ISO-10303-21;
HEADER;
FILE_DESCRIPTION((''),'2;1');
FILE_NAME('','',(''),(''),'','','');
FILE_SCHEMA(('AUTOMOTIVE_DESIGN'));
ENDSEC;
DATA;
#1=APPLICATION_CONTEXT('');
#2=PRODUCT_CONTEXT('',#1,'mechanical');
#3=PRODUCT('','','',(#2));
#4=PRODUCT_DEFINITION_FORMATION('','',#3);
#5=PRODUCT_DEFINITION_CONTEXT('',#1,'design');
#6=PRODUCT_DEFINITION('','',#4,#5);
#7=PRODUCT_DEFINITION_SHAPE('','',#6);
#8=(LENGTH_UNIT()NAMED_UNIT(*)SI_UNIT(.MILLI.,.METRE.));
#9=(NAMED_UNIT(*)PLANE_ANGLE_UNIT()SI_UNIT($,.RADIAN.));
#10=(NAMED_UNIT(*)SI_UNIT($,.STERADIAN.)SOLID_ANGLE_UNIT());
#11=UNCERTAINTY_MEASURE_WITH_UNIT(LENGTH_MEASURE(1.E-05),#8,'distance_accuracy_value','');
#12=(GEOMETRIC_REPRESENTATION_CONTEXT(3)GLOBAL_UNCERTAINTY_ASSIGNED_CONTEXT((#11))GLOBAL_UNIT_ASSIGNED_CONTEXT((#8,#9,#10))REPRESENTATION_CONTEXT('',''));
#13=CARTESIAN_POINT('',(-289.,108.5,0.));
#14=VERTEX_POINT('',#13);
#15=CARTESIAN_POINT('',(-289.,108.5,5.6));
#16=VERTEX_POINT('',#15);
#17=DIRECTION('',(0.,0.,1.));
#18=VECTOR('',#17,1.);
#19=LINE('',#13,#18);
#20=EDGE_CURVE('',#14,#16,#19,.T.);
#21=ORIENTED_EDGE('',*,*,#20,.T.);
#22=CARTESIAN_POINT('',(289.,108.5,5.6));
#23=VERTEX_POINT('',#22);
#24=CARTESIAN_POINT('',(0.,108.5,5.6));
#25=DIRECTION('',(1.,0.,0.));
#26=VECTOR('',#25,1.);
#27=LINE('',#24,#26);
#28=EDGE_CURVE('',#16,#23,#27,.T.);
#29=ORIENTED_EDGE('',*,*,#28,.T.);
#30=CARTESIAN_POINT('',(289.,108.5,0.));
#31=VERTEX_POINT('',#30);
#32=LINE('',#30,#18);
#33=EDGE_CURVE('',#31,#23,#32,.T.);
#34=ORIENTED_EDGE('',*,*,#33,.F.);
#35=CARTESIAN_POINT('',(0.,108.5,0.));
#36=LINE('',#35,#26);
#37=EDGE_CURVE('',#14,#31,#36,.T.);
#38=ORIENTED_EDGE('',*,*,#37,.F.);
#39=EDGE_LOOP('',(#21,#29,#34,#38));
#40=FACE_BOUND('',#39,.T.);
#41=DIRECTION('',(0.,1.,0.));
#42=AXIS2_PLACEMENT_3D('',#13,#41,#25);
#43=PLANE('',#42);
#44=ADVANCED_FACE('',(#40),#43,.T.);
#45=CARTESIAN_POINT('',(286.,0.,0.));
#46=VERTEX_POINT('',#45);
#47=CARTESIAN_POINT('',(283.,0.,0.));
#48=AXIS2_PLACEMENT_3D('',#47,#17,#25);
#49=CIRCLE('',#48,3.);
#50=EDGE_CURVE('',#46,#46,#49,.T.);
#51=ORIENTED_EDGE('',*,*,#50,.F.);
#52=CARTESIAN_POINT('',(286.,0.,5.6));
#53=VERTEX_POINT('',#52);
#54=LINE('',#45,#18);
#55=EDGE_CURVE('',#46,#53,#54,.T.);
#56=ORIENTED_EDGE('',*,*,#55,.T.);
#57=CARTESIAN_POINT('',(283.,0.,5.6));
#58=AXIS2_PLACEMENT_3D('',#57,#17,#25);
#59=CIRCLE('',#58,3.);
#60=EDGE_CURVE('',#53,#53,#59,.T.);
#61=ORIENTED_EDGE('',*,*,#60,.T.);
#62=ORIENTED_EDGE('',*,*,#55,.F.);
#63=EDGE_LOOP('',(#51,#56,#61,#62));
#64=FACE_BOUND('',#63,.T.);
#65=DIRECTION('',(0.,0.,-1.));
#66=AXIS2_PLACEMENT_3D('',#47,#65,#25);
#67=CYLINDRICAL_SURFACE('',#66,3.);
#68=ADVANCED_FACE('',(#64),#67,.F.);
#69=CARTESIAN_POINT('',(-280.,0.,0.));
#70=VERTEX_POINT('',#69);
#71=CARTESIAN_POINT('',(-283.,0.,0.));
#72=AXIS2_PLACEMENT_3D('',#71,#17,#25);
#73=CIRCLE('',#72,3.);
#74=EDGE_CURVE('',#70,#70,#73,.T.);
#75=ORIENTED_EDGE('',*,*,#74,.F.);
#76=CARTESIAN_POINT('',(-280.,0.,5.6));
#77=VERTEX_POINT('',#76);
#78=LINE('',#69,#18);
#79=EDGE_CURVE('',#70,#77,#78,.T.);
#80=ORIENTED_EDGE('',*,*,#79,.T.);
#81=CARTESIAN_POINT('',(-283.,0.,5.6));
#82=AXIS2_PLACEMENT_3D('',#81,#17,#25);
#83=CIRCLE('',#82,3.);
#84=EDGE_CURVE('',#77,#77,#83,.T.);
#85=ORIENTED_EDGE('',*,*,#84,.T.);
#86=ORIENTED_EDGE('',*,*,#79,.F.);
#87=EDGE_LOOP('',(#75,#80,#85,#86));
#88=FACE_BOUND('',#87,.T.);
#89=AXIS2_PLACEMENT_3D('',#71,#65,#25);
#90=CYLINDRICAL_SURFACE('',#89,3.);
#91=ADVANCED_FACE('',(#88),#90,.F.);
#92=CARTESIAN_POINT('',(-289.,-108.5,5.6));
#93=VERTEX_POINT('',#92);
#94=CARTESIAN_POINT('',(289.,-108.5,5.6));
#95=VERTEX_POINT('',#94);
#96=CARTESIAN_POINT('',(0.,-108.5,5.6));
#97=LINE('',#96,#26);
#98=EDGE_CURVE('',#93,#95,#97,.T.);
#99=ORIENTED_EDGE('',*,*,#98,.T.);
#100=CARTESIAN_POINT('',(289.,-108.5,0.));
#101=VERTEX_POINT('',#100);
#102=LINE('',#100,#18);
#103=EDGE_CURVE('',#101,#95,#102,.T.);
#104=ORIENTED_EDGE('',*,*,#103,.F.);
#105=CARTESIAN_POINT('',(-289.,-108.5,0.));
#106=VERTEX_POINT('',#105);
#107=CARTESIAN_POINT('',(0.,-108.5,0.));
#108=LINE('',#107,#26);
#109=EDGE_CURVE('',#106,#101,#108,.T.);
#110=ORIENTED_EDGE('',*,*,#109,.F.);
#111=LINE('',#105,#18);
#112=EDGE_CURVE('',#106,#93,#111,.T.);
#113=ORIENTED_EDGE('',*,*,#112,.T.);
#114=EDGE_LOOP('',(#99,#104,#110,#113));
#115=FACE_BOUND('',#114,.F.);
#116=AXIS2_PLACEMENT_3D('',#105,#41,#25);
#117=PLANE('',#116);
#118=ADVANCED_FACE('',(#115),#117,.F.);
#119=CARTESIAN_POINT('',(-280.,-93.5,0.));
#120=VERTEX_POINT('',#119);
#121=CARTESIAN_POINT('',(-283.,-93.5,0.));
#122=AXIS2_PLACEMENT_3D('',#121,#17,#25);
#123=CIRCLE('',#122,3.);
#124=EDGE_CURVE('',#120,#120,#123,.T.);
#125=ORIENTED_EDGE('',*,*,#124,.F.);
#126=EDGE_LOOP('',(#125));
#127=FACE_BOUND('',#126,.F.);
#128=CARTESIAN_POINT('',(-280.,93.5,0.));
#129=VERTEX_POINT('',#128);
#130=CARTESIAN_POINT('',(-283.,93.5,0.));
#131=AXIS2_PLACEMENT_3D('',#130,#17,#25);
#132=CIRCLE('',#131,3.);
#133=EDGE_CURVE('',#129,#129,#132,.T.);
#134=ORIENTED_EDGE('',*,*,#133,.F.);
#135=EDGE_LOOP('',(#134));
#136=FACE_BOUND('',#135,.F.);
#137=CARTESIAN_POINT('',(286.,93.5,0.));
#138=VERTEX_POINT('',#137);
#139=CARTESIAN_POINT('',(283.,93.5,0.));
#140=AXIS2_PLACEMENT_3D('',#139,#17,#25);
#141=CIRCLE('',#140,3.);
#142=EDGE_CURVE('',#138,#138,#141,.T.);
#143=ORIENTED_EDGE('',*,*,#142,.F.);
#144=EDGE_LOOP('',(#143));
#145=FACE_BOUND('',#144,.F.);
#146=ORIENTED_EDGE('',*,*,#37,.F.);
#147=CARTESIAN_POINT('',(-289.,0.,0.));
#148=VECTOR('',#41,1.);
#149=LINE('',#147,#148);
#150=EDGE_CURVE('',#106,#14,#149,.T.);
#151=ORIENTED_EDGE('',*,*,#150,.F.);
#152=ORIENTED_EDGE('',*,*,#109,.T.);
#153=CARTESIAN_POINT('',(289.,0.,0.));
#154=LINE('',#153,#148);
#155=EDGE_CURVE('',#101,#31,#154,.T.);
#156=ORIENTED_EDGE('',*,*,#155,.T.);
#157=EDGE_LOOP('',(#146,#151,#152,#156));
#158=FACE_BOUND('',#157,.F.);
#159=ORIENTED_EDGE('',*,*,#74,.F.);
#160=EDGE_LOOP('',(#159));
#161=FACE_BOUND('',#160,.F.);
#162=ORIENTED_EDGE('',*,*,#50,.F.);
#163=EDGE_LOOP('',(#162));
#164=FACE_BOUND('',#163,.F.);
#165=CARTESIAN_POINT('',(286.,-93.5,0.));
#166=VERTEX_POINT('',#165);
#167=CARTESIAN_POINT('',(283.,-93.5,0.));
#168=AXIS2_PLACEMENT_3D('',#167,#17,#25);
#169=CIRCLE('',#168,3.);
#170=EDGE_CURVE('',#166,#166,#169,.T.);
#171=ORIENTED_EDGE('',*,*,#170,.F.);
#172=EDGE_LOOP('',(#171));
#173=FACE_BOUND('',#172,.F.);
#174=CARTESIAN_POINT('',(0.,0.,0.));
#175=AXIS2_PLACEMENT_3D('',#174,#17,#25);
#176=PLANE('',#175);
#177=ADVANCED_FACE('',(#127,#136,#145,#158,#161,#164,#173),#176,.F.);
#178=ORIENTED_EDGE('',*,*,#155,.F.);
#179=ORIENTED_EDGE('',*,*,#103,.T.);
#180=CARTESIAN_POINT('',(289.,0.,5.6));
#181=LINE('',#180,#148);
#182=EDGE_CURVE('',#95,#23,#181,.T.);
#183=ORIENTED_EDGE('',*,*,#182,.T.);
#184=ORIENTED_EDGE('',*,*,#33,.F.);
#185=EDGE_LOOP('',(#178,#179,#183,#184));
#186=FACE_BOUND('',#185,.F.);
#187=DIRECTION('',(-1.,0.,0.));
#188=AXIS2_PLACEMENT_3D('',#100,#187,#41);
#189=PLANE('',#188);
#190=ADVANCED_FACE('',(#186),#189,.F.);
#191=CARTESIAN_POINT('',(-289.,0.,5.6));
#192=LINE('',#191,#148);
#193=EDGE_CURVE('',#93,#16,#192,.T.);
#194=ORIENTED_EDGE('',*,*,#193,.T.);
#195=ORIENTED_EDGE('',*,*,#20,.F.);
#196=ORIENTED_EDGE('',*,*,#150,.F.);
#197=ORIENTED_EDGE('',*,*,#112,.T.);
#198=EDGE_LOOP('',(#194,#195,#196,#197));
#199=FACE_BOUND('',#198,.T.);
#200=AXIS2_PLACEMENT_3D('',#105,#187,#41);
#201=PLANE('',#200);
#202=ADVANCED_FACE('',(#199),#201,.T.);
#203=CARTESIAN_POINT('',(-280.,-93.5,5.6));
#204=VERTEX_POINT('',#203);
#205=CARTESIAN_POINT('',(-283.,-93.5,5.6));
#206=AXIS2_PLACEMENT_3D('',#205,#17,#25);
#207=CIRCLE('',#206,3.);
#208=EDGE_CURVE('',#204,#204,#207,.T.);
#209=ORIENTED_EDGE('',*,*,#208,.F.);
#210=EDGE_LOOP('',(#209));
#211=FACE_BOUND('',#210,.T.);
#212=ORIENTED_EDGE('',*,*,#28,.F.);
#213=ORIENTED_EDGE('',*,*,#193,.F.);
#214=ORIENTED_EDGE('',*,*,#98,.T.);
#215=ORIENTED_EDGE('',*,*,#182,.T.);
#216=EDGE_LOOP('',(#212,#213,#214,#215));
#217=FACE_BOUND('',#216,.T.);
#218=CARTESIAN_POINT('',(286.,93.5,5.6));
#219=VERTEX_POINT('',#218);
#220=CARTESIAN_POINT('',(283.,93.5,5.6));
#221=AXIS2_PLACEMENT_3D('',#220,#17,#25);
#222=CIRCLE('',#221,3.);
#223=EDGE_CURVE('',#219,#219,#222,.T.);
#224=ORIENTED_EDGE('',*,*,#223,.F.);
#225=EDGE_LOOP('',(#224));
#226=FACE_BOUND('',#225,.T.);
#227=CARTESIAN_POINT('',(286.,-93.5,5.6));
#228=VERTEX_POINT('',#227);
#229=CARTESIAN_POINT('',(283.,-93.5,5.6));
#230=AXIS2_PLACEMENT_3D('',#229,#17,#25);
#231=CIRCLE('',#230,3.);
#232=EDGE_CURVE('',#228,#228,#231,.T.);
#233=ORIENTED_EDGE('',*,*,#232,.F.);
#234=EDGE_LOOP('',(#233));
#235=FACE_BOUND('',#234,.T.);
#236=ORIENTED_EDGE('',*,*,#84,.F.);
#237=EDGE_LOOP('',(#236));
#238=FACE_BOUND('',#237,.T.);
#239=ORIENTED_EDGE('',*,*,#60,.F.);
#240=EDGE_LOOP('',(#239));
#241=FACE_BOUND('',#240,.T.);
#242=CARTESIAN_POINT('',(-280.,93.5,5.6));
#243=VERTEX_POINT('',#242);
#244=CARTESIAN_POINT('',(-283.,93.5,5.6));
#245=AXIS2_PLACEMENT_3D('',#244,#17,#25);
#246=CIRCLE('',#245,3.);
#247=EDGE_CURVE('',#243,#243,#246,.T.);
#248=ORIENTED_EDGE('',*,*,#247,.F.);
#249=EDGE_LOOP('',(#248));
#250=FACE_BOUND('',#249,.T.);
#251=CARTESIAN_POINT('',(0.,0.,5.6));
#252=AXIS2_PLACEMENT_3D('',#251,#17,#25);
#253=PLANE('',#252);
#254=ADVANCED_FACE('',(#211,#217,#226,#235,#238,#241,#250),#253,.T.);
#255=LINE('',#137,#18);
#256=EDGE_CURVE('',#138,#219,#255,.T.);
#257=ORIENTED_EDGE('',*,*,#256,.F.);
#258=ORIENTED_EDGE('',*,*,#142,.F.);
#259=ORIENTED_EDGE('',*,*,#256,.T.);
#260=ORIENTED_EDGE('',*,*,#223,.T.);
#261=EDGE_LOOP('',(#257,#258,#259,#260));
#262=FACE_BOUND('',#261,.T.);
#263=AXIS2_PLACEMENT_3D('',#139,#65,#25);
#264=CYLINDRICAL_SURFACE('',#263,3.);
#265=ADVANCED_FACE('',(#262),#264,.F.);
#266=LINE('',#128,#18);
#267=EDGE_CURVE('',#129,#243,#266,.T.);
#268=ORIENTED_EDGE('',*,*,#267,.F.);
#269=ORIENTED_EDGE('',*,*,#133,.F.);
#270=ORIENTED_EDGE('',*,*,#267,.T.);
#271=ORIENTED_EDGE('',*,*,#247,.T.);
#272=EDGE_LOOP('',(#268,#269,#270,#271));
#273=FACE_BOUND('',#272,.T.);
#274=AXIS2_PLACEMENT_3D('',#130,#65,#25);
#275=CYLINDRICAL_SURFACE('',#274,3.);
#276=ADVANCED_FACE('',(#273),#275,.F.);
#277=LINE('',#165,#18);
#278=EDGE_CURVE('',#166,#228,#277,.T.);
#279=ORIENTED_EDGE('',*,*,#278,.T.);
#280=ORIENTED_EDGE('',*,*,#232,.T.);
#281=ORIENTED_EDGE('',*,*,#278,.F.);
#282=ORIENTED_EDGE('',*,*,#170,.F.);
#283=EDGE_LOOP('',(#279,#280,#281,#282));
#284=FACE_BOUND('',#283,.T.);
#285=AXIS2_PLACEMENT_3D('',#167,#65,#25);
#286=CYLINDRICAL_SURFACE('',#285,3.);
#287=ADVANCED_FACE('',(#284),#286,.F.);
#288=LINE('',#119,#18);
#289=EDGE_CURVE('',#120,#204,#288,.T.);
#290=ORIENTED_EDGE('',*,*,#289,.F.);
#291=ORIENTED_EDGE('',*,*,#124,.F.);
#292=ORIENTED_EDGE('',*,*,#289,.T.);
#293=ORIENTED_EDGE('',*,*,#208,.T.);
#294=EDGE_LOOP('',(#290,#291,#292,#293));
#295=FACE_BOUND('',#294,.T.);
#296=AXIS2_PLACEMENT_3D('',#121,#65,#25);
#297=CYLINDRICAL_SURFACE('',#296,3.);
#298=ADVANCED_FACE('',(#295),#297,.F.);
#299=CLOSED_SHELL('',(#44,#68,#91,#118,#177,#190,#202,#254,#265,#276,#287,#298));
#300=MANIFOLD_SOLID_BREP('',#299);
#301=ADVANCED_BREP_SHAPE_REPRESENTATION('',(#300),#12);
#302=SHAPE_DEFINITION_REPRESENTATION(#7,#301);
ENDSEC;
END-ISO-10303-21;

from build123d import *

# Parameters (mm, degrees)
F0_W     = 578
F0_H     = 217
F0_R     = 3
F1_DEPTH = 5.6


with BuildPart() as f1:
    # F0 (on Top) → F1 (new body)
    with BuildSketch(Plane.XY):
        Rectangle(F0_W, F0_H)
        with Locations((-283, -93.5)):
            Circle(F0_R, mode=Mode.SUBTRACT)
        with Locations((283, -93.5)):
            Circle(F0_R, mode=Mode.SUBTRACT)
        with Locations((-283, 0)):
            Circle(F0_R, mode=Mode.SUBTRACT)
        with Locations((-283, 93.5)):
            Circle(F0_R, mode=Mode.SUBTRACT)
        with Locations((283, 0)):
            Circle(F0_R, mode=Mode.SUBTRACT)
        with Locations((283, 93.5)):
            Circle(F0_R, mode=Mode.SUBTRACT)
    extrude(amount=F1_DEPTH)


solid = f1.part
